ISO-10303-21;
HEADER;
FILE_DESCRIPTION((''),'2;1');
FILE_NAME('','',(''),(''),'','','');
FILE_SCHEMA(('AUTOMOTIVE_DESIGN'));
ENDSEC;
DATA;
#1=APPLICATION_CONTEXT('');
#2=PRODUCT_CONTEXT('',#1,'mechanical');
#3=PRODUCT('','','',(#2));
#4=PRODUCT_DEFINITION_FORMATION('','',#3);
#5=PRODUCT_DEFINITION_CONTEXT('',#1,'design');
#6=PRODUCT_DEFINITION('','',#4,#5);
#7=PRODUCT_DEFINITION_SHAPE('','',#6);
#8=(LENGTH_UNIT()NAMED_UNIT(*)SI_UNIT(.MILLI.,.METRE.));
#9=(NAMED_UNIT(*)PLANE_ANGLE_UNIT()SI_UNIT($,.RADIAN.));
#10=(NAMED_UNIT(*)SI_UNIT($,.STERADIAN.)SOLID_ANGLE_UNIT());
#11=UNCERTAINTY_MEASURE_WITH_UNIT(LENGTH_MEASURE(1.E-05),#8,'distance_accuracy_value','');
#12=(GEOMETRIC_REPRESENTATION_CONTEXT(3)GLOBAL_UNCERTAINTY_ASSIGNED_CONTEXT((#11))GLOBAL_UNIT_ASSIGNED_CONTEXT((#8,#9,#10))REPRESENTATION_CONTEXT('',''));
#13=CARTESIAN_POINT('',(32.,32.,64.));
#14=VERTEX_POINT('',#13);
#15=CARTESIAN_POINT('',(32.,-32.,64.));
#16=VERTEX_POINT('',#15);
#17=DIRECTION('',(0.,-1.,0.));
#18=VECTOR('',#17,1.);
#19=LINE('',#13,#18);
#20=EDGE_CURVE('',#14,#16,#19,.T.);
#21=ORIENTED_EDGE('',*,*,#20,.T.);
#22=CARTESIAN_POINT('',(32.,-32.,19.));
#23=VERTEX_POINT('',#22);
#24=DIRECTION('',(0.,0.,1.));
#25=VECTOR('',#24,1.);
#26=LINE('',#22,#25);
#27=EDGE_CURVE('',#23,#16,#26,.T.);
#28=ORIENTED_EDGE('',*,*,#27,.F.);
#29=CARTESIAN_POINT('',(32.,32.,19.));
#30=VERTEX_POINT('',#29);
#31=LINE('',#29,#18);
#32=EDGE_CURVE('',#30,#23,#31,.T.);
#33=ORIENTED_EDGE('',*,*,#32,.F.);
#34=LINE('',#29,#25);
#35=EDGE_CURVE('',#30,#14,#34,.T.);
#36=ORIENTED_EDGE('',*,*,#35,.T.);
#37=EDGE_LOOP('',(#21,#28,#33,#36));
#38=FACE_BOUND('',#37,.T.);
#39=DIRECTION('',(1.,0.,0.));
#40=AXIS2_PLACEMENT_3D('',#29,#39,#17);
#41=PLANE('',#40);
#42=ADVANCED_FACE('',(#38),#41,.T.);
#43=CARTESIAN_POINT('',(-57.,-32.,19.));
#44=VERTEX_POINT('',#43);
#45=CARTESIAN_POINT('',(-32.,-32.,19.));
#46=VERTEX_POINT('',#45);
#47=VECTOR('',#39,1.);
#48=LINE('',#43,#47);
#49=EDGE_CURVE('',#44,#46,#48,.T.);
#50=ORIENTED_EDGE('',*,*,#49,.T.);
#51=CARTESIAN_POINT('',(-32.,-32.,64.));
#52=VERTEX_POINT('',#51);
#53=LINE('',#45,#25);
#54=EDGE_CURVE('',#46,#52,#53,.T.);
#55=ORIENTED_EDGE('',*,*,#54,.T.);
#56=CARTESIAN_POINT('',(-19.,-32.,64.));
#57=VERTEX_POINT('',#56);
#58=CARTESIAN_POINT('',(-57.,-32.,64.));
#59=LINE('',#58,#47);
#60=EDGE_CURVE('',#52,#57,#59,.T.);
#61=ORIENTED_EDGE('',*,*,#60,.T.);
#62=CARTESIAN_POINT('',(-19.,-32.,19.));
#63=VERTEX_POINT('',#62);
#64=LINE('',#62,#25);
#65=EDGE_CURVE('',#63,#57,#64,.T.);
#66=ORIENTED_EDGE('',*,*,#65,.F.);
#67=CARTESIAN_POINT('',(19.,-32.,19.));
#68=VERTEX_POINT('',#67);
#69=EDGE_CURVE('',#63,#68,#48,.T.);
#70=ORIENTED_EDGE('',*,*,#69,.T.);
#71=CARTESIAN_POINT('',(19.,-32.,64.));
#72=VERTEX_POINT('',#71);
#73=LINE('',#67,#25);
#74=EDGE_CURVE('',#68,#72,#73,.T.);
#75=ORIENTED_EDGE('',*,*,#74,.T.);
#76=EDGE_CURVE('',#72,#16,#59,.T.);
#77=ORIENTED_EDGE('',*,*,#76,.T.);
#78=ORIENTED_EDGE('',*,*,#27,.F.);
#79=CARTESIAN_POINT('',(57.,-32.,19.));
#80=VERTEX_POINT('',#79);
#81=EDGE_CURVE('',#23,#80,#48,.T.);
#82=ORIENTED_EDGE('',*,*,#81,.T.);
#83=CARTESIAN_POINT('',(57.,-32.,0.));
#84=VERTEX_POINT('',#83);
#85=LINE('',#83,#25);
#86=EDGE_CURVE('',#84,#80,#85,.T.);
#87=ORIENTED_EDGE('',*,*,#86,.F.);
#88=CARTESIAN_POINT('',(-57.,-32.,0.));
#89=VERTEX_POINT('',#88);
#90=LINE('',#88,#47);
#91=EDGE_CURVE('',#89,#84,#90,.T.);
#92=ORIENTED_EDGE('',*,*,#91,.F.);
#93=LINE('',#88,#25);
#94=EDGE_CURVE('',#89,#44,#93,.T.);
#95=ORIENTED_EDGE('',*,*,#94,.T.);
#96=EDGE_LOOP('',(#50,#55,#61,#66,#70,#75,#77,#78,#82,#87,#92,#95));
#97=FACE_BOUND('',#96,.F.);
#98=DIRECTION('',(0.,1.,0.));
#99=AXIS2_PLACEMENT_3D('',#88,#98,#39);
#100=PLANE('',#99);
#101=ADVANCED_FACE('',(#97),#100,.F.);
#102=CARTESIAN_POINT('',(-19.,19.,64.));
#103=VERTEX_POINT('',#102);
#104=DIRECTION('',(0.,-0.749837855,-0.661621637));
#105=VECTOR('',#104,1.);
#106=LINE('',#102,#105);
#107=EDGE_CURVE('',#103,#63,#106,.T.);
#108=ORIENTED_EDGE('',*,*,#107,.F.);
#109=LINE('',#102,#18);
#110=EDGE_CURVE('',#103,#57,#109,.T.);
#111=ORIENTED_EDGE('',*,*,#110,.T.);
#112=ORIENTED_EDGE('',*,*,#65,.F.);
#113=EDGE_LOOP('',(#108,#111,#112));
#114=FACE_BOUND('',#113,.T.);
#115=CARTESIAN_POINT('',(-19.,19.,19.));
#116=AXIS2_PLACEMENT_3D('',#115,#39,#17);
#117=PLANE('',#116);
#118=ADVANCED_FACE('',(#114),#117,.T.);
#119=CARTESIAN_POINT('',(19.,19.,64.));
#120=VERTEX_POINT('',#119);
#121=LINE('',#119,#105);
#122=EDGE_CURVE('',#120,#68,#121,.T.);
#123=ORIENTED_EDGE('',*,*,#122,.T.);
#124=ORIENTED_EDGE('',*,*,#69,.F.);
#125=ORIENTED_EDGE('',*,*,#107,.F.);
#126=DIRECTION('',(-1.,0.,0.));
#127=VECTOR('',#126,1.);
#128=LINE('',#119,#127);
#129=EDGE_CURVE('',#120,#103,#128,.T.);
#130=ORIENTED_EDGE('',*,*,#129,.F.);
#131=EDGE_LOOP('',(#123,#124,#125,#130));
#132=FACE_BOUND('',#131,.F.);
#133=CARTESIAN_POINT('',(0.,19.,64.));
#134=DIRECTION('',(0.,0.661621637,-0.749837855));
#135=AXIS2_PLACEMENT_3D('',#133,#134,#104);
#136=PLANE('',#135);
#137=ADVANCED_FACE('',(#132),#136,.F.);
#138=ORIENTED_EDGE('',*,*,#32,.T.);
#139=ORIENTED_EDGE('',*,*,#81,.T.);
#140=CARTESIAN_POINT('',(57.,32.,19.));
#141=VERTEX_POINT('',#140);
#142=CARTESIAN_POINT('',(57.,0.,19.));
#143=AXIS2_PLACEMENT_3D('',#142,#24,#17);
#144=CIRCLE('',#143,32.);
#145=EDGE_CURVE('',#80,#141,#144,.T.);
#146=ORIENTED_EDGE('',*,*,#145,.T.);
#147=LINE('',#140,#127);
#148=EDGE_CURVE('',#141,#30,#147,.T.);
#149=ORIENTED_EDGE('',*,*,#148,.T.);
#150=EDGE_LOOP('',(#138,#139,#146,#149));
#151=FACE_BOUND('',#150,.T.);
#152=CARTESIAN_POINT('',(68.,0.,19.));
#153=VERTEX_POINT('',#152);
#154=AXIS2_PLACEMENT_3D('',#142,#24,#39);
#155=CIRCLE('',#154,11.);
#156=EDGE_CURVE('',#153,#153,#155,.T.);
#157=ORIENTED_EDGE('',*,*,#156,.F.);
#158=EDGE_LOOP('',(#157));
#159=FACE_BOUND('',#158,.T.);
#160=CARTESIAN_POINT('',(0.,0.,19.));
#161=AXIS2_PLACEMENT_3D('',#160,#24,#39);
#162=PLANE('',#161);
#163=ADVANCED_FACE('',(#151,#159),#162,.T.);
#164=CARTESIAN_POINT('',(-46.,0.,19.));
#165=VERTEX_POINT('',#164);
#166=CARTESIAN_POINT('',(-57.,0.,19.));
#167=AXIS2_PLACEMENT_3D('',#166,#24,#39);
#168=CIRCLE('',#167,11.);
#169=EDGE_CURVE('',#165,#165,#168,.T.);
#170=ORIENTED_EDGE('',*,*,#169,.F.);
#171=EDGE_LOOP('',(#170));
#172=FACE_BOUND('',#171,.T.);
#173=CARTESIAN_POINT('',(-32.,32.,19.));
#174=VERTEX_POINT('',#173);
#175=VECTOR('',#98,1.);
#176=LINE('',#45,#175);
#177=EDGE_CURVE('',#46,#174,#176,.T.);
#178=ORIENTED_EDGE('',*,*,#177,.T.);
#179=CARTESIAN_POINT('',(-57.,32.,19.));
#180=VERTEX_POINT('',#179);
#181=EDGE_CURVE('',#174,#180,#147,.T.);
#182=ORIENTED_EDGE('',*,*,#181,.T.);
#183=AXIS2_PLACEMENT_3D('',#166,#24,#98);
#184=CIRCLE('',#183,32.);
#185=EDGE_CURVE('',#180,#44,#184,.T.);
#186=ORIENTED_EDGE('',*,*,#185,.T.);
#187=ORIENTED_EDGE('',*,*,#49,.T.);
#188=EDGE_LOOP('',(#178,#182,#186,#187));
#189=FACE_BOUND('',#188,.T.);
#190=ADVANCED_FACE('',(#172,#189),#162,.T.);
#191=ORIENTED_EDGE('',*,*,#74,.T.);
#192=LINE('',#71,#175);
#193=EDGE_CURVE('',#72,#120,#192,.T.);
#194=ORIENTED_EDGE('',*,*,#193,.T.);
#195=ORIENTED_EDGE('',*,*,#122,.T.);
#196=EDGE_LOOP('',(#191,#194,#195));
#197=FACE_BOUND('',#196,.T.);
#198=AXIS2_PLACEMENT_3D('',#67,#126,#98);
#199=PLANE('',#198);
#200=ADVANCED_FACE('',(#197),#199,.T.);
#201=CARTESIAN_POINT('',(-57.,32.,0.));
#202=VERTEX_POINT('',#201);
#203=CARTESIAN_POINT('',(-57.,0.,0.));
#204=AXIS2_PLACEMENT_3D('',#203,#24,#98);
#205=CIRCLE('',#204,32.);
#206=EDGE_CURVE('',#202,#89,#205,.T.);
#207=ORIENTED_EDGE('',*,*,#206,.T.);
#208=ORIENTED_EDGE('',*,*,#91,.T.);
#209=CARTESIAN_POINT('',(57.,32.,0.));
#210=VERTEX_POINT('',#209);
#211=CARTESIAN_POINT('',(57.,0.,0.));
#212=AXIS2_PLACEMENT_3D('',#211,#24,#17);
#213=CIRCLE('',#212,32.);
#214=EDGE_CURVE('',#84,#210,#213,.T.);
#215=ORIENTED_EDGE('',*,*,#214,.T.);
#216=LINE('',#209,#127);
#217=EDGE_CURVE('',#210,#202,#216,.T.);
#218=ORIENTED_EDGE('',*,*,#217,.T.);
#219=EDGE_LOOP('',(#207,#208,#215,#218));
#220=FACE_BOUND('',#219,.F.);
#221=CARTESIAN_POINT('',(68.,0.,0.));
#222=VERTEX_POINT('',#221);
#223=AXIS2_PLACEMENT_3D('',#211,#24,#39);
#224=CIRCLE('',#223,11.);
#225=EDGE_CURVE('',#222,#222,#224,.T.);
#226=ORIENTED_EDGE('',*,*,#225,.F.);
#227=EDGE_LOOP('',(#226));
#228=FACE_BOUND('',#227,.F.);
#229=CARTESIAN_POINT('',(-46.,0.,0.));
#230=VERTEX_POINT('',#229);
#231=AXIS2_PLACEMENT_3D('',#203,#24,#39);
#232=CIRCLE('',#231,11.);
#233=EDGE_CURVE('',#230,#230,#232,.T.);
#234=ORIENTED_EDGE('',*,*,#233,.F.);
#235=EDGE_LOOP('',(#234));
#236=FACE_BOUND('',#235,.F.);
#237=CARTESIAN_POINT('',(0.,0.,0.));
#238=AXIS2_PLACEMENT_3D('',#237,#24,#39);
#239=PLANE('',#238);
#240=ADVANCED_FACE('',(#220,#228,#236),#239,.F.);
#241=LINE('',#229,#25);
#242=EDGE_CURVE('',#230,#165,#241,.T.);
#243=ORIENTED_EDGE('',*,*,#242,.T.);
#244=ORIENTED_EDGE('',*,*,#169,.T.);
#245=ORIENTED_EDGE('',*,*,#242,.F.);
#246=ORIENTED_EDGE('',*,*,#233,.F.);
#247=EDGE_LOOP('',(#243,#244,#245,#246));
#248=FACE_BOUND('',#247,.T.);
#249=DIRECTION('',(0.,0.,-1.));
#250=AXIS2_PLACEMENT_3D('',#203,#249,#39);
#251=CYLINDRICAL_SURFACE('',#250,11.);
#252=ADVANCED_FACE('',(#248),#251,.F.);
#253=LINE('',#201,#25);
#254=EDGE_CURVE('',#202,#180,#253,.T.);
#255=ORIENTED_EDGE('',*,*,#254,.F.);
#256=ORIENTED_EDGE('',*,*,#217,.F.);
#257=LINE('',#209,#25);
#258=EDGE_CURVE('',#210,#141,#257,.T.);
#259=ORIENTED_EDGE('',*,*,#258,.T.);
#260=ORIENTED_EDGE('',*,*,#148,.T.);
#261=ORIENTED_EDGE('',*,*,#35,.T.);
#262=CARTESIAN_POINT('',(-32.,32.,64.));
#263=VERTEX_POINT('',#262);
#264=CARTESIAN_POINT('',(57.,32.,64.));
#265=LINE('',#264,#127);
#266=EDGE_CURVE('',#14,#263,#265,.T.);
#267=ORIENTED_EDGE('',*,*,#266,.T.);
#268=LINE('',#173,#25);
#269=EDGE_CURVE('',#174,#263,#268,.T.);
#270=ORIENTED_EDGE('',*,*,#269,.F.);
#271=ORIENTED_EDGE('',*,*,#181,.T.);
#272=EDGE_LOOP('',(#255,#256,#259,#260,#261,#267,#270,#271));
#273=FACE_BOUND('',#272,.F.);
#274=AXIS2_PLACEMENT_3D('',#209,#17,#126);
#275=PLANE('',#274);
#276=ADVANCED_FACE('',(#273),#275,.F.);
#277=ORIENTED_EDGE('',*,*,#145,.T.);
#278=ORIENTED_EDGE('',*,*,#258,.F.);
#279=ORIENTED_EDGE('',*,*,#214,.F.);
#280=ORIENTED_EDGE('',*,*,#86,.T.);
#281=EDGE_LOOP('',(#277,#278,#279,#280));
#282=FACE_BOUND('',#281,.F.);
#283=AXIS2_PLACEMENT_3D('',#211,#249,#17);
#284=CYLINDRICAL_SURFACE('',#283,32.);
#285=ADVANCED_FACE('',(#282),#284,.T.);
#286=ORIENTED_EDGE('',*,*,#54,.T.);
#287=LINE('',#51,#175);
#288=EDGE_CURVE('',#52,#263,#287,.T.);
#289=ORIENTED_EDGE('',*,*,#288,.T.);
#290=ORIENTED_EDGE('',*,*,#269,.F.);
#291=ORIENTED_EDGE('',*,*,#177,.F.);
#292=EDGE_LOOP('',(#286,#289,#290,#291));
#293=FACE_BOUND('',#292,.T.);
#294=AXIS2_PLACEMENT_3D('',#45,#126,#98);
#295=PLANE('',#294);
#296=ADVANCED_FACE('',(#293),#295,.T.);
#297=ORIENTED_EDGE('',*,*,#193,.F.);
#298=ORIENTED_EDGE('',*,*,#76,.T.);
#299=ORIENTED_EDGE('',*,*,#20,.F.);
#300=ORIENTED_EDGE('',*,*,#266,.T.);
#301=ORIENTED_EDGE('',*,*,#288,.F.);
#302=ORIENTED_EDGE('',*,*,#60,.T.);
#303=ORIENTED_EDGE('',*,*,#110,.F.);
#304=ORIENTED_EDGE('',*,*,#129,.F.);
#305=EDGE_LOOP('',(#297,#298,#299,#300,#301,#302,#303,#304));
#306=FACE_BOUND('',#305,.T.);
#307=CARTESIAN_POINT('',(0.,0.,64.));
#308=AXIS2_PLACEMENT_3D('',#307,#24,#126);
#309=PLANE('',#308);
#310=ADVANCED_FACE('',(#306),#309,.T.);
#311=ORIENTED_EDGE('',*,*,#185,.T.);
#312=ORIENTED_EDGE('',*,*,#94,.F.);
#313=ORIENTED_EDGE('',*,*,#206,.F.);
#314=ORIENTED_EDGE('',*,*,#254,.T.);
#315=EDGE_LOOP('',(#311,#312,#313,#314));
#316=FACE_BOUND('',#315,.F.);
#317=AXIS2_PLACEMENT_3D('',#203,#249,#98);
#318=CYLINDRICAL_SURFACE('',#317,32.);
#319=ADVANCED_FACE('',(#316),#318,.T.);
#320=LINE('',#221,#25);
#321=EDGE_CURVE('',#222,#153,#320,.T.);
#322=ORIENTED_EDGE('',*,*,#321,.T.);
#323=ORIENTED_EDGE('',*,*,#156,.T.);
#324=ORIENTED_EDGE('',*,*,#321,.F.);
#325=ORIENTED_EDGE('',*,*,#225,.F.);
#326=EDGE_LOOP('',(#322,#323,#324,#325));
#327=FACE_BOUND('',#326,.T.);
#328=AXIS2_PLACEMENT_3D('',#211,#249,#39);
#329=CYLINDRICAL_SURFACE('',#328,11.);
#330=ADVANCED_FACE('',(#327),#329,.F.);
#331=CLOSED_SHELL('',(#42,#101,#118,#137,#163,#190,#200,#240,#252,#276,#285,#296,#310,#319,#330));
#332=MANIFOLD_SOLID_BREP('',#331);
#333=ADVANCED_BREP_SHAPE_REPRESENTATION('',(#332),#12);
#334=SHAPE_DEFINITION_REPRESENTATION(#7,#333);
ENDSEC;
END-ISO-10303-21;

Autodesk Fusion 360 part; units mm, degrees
sketch "Sketch1" plane through (0, 0, 0) normal (0, 0, 1) x (1, 0, 0)
  line L0 (57, 32) -> (-57, 32)
  line L1 (-57, -32) -> (57, -32)
  circle A0 centre (57, 0) radius 11
  circle A1 centre (-57, 0) radius 11
  arc A2 (-57, 32) -> (-57, -32) centre (-57, 0) ccw
  arc A3 (57, -32) -> (57, 32) centre (57, 0) ccw
  dimension "d1" = 114
  dimension "d2" = 64
  dimension "d5" = 22
  dimension "d6" = 22
extrude "Extrude1" add sketch "Sketch1" along normal blind 19
sketch "Sketch2" plane through (0, 0, 19) normal (0, 0, 1) x (-1, 0, 0)
  circle A0 centre (-57, 0) radius 11
  circle A1 centre (57, 0) radius 11
  arc A2 (-57, 32) -> (-57, -32) centre (-57, 0) ccw
  line L0 (-57, -32) -> (57, -32)
  arc A3 (57, -32) -> (57, 32) centre (57, 0) ccw
  line L1 (57, 32) -> (-57, 32)
  line L2 (32, -32) -> (-32, -32)
  line L3 (-32, -32) -> (-32, 32)
  line L4 (-32, 32) -> (32, 32)
  line L5 (32, 32) -> (32, -32)
  line L6 (0, -32) -> (0, 32) construction
  line L7 (19, 32) -> (-19, 32)
  line L8 (-19, 32) -> (-19, -19)
  line L9 (-19, -19) -> (19, -19)
  line L10 (19, -19) -> (19, 32)
  dimension "d9" = 64
  dimension "d10" = 64
  dimension "d11" = 32
  dimension "d12" = 38
  dimension "d13" = 51
  dimension "d14" = 19
extrude "Extrude2" add sketch "Sketch2" along normal blind 45 contours L0 L1 L2 L3 L4 L5 L8 L9 L10
sketch "Sketch3" plane through (0, 0, 0) normal (1, 0, 0) x (0, 1, 0)
  line L0 (-32, 19) -> (19, 19)
  line L1 (19, 19) -> (19, 64)
  line L2 (19, 64) -> (-32, 19)
  dimension "d17" = 51
extrude "Extrude3" add sketch "Sketch3" along normal mid plane 38
equation "d15 = 64 mm - 19 mm"
